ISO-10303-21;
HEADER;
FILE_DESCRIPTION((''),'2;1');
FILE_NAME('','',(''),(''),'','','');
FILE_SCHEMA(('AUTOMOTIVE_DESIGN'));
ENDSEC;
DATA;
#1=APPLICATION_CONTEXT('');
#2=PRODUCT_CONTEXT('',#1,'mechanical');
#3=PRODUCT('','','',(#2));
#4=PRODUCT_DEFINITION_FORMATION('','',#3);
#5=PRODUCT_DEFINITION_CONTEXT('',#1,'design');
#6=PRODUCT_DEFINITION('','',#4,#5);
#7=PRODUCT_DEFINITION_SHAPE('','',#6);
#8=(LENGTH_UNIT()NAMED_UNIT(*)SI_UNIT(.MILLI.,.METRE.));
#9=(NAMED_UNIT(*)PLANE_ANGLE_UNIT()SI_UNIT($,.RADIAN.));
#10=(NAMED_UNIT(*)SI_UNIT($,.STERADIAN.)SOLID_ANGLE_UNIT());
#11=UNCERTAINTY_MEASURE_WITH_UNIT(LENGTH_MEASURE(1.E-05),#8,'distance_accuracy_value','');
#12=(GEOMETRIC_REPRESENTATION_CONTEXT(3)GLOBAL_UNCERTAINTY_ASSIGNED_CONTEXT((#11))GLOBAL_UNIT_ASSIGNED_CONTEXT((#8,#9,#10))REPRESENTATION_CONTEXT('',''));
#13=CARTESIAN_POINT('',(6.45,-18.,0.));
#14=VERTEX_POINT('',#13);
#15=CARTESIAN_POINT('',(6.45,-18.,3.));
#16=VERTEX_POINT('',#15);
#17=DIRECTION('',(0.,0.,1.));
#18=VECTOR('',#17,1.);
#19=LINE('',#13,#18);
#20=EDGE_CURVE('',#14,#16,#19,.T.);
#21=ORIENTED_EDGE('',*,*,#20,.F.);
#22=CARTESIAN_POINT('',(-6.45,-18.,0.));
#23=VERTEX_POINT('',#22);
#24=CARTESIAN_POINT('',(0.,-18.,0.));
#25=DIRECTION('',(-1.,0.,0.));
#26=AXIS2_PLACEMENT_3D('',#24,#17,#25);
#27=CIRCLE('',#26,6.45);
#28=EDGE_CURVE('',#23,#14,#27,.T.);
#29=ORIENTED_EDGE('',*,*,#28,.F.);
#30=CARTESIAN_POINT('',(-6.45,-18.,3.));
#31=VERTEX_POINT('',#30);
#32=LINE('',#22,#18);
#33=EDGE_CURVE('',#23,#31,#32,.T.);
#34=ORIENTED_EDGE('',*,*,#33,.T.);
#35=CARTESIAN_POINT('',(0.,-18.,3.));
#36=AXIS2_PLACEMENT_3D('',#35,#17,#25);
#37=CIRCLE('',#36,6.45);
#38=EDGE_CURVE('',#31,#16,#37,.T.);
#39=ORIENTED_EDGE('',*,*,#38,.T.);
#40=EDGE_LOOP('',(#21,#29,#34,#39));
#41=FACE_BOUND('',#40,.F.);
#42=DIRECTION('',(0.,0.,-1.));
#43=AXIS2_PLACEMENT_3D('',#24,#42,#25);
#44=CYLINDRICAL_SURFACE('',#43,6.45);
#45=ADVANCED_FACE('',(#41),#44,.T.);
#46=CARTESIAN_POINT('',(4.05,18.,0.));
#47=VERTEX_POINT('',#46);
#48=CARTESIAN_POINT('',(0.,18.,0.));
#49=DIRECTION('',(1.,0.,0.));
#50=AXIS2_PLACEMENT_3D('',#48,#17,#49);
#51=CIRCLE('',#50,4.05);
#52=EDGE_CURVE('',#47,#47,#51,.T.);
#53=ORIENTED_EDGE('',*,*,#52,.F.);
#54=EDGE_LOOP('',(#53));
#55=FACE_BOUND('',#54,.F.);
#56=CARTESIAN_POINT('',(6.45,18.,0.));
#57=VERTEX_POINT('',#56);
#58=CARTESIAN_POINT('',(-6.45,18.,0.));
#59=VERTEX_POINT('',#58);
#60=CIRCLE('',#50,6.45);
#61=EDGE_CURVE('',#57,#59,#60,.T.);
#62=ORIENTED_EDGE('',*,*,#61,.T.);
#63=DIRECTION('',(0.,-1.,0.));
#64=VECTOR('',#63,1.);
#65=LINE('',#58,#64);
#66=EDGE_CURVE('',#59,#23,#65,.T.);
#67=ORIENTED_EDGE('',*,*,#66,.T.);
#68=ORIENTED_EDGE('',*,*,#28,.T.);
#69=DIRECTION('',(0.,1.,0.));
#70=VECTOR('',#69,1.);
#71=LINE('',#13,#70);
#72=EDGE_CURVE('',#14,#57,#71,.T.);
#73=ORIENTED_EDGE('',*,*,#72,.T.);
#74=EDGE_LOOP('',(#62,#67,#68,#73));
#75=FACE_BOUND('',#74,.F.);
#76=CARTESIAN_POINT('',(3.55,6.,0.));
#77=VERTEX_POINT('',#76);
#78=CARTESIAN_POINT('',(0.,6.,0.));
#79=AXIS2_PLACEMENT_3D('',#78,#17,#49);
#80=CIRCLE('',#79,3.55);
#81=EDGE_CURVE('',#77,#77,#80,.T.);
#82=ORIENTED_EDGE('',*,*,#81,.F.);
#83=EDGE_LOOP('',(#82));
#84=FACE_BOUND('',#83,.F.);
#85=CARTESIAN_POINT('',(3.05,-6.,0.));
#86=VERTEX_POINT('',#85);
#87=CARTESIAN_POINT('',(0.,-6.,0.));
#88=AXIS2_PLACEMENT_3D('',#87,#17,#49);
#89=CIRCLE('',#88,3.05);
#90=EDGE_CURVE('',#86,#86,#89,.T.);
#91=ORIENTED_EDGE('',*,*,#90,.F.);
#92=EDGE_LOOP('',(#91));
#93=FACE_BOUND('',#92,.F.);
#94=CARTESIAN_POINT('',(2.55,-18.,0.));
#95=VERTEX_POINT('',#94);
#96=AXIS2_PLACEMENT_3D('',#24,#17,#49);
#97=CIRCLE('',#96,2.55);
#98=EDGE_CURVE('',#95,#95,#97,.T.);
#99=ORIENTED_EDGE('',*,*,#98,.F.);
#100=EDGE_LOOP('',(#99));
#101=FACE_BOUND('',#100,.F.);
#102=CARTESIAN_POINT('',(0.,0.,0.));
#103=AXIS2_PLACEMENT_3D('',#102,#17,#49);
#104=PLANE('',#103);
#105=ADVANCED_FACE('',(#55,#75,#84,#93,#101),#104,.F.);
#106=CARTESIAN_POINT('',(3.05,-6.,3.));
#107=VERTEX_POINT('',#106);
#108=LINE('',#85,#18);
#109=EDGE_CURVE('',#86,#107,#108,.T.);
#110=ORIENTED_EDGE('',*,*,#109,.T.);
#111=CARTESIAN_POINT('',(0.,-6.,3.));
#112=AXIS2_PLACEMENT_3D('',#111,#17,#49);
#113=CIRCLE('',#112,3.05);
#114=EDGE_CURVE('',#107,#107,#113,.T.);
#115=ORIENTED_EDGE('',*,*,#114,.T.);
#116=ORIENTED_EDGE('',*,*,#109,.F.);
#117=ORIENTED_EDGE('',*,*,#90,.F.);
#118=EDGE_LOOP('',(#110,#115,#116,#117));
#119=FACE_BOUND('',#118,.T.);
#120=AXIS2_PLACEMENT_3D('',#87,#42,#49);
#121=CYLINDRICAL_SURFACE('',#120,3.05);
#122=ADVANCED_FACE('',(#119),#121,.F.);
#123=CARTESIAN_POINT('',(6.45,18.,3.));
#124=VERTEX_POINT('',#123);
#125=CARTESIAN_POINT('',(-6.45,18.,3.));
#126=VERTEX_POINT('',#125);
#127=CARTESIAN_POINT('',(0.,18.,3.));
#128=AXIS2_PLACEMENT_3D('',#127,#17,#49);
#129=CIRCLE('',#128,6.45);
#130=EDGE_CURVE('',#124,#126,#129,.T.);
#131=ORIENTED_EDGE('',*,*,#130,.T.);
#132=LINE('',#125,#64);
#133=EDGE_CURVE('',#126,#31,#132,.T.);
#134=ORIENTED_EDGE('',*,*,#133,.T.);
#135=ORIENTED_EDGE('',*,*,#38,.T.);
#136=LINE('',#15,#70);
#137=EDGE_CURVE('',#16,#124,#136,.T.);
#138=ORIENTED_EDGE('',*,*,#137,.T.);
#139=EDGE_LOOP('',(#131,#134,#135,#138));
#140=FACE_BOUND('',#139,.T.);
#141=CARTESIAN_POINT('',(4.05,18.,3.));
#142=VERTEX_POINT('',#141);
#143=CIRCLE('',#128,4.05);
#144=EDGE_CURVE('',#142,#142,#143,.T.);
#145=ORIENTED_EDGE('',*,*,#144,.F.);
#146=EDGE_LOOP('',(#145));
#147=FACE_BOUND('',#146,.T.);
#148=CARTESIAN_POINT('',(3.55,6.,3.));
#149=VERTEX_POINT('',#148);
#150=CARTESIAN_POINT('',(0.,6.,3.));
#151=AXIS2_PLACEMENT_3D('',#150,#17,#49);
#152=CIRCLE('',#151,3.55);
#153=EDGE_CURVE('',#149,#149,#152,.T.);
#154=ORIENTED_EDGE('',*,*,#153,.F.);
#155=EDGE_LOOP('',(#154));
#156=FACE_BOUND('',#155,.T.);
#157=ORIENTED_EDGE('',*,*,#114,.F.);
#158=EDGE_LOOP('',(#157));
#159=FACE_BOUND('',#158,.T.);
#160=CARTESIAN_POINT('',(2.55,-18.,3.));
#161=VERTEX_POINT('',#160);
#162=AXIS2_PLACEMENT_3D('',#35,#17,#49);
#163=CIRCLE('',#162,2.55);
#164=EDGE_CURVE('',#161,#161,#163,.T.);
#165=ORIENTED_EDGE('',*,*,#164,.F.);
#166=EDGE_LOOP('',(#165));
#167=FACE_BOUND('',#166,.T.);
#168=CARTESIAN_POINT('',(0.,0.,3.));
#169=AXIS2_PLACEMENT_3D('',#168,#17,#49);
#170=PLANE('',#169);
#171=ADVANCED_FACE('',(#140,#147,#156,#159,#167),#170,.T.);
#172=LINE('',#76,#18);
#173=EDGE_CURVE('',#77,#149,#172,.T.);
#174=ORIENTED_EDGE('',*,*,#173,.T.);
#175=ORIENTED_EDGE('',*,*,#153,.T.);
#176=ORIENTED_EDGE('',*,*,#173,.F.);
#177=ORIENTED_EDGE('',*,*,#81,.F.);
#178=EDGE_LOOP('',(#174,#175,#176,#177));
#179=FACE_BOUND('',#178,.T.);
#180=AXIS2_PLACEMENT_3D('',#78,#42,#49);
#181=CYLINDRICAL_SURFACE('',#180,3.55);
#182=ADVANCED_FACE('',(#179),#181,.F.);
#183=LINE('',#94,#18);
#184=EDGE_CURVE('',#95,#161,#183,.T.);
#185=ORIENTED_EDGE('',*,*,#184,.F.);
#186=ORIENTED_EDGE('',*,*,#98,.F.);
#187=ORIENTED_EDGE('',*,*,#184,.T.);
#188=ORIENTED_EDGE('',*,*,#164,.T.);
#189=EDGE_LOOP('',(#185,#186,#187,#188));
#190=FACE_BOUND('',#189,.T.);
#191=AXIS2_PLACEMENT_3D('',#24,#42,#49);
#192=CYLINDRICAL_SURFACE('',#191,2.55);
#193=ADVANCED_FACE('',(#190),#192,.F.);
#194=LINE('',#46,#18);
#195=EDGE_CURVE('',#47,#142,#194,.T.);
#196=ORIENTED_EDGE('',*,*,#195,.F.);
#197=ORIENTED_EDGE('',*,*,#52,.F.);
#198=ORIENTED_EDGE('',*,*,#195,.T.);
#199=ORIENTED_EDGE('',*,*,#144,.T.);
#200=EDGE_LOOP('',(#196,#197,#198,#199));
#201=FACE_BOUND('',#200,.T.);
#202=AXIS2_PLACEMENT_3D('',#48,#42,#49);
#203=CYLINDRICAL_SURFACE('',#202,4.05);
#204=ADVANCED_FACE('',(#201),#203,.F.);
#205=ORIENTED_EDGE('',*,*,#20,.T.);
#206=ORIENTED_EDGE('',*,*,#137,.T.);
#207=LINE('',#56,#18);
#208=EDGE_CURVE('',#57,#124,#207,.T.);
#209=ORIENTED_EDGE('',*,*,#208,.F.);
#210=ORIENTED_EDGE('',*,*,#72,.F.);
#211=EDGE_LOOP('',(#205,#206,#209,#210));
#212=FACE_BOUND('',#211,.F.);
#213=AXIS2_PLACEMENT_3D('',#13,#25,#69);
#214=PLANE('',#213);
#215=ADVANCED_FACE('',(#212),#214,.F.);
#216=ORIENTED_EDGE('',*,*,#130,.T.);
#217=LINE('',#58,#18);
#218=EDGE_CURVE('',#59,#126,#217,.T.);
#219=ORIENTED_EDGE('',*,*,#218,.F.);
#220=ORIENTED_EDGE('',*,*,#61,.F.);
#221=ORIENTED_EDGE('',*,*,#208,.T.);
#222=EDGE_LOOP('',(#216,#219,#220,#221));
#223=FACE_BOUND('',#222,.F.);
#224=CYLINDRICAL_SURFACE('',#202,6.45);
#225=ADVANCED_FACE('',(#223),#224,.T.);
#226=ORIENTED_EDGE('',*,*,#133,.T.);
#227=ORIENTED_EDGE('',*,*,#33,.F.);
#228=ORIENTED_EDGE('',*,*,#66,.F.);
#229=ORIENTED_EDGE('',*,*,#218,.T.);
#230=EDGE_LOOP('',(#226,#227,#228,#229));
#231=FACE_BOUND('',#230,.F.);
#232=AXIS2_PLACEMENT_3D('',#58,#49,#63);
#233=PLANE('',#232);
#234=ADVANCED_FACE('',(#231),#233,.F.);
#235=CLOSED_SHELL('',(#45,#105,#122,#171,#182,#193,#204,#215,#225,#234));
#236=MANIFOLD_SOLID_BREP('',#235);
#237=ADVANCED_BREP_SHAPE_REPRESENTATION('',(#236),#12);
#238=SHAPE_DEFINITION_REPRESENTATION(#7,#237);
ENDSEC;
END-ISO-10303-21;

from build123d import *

# Parameters (mm, degrees)
F0_R     = 2.55
F0_R_2   = 3.05
F0_R_3   = 3.55
F0_R_4   = 4.05
F1_DEPTH = 3


with BuildPart() as f1:
    # F0 (on Top) → F1 (new body)
    with BuildSketch(Plane.XY):
        with BuildLine():
            Line((-6.45, 18), (-6.45, -18))
            ThreePointArc((-6.45, -18), (0, -24.45), (6.45, -18))
            Line((6.45, -18), (6.45, 18))
            ThreePointArc((6.45, 18), (0, 24.45), (-6.45, 18))
        make_face()
        with Locations((0, -18)):
            Circle(F0_R, mode=Mode.SUBTRACT)
        with Locations((0, -6)):
            Circle(F0_R_2, mode=Mode.SUBTRACT)
        with Locations((0, 6)):
            Circle(F0_R_3, mode=Mode.SUBTRACT)
        with Locations((0, 18)):
            Circle(F0_R_4, mode=Mode.SUBTRACT)
    extrude(amount=F1_DEPTH)


solid = f1.part
